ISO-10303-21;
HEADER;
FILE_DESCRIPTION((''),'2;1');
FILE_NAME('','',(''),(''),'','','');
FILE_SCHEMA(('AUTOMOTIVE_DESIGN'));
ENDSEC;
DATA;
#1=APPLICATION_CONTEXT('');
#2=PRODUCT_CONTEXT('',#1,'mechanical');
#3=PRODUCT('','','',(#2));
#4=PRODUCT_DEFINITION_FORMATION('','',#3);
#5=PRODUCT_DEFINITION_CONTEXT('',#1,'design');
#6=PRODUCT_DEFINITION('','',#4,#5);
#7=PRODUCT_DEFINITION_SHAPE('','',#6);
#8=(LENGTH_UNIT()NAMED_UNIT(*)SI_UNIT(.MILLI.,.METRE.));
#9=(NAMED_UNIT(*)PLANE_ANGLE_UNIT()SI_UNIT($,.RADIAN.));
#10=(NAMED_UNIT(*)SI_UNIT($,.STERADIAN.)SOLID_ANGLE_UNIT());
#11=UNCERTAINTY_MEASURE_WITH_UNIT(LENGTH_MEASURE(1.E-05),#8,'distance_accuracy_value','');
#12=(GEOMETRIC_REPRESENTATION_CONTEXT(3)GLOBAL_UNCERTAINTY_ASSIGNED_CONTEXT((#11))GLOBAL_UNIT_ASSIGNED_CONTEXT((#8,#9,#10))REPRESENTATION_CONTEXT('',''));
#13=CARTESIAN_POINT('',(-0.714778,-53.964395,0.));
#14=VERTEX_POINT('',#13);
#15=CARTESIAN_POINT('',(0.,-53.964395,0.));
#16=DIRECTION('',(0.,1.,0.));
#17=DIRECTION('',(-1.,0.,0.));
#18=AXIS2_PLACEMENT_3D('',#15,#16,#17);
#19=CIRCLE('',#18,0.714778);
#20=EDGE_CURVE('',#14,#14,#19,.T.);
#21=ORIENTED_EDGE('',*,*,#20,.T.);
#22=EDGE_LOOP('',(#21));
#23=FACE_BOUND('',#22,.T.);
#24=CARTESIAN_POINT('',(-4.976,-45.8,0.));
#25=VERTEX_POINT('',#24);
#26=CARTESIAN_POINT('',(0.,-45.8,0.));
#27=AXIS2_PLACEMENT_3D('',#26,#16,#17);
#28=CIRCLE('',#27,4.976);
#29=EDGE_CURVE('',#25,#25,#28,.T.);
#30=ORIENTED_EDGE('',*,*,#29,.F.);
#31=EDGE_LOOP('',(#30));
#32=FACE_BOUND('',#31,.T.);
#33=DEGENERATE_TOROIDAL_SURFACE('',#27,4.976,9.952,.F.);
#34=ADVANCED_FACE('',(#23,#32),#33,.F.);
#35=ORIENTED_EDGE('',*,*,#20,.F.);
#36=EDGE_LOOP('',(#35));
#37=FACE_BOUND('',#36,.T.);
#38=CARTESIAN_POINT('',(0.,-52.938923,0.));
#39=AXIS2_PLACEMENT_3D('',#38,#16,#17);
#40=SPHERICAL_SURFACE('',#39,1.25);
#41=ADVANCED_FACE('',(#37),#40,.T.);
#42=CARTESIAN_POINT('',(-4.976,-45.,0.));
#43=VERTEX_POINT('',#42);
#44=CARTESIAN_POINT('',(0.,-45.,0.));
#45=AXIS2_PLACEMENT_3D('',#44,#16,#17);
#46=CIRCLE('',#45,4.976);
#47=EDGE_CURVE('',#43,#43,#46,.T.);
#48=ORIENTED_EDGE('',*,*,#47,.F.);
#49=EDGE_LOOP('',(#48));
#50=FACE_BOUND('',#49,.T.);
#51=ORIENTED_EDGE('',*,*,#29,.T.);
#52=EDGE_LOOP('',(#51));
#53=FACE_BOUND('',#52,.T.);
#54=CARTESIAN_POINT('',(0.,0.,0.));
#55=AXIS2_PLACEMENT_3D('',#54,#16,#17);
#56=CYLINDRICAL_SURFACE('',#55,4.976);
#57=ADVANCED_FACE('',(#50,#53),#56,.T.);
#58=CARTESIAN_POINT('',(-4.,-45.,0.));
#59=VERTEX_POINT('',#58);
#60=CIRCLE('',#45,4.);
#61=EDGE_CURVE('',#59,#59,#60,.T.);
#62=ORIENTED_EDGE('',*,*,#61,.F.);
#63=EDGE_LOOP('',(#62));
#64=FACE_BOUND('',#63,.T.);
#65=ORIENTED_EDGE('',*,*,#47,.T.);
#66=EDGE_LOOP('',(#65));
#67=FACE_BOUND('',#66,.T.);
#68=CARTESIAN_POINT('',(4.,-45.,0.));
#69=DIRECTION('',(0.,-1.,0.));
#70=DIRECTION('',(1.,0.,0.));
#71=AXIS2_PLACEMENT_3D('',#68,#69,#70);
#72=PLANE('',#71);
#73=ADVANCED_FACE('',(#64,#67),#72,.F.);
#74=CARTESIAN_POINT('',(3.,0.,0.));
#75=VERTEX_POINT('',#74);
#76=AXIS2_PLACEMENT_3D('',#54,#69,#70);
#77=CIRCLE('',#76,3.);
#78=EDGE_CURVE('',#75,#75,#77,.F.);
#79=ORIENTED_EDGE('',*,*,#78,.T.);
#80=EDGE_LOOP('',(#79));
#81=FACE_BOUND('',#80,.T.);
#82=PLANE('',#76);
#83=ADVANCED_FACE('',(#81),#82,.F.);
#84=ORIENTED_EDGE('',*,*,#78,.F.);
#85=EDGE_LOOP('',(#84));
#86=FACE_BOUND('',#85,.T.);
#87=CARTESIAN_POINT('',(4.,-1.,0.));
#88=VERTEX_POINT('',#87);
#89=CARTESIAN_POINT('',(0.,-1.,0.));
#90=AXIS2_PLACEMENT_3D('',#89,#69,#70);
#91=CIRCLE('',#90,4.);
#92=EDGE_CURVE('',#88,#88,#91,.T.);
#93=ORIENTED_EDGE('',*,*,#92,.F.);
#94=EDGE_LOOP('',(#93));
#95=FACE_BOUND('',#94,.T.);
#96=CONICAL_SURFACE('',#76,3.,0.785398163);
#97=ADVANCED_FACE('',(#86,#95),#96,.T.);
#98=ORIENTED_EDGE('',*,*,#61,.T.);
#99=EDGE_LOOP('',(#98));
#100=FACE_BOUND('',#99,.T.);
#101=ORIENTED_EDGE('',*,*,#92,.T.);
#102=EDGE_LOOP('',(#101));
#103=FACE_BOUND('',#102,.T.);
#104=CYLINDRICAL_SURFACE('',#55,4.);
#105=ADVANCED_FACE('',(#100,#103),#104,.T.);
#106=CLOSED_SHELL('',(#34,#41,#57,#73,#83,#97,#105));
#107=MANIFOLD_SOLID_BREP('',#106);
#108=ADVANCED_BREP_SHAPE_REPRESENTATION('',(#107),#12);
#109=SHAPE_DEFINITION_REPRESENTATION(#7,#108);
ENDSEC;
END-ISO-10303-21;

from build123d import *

# Parameters (mm, degrees)
CHAMFER1_SIZE = 1


with BuildPart() as part:
    # Sketch1 → Revolve1 (revolve)
    with BuildSketch(Plane.XY, mode=Mode.PRIVATE) as revolve1_sk:
        with BuildLine():
            Line((0, 0), (4, 0))
            Line((4, 0), (4, -45))
            Line((4, -45), (4.976, -45))
            Line((4.976, -45), (4.976, -45.8))
            ThreePointArc((4.976, -45.8), (3.846610973, -50.40476271), (0.714778212, -53.9643951))
            ThreePointArc((0.714778212, -53.9643951), (0.374606751, -54.13147105), (0, -54.188923448))
            Line((0, -54.188923448), (0, 0))
        make_face()
    revolve(revolve1_sk.sketch.rotate(Axis((0, 0, 0), (0, -1, 0)), 180), axis=Axis((0, 0, 0), (0, -1, 0)))

    # Chamfer1
    chamfer1_edges = [part.edges().sort_by_distance(p)[0] for p in [
        (4, 0, 0),
    ]]
    chamfer(chamfer1_edges, length=CHAMFER1_SIZE)


solid = part.part
